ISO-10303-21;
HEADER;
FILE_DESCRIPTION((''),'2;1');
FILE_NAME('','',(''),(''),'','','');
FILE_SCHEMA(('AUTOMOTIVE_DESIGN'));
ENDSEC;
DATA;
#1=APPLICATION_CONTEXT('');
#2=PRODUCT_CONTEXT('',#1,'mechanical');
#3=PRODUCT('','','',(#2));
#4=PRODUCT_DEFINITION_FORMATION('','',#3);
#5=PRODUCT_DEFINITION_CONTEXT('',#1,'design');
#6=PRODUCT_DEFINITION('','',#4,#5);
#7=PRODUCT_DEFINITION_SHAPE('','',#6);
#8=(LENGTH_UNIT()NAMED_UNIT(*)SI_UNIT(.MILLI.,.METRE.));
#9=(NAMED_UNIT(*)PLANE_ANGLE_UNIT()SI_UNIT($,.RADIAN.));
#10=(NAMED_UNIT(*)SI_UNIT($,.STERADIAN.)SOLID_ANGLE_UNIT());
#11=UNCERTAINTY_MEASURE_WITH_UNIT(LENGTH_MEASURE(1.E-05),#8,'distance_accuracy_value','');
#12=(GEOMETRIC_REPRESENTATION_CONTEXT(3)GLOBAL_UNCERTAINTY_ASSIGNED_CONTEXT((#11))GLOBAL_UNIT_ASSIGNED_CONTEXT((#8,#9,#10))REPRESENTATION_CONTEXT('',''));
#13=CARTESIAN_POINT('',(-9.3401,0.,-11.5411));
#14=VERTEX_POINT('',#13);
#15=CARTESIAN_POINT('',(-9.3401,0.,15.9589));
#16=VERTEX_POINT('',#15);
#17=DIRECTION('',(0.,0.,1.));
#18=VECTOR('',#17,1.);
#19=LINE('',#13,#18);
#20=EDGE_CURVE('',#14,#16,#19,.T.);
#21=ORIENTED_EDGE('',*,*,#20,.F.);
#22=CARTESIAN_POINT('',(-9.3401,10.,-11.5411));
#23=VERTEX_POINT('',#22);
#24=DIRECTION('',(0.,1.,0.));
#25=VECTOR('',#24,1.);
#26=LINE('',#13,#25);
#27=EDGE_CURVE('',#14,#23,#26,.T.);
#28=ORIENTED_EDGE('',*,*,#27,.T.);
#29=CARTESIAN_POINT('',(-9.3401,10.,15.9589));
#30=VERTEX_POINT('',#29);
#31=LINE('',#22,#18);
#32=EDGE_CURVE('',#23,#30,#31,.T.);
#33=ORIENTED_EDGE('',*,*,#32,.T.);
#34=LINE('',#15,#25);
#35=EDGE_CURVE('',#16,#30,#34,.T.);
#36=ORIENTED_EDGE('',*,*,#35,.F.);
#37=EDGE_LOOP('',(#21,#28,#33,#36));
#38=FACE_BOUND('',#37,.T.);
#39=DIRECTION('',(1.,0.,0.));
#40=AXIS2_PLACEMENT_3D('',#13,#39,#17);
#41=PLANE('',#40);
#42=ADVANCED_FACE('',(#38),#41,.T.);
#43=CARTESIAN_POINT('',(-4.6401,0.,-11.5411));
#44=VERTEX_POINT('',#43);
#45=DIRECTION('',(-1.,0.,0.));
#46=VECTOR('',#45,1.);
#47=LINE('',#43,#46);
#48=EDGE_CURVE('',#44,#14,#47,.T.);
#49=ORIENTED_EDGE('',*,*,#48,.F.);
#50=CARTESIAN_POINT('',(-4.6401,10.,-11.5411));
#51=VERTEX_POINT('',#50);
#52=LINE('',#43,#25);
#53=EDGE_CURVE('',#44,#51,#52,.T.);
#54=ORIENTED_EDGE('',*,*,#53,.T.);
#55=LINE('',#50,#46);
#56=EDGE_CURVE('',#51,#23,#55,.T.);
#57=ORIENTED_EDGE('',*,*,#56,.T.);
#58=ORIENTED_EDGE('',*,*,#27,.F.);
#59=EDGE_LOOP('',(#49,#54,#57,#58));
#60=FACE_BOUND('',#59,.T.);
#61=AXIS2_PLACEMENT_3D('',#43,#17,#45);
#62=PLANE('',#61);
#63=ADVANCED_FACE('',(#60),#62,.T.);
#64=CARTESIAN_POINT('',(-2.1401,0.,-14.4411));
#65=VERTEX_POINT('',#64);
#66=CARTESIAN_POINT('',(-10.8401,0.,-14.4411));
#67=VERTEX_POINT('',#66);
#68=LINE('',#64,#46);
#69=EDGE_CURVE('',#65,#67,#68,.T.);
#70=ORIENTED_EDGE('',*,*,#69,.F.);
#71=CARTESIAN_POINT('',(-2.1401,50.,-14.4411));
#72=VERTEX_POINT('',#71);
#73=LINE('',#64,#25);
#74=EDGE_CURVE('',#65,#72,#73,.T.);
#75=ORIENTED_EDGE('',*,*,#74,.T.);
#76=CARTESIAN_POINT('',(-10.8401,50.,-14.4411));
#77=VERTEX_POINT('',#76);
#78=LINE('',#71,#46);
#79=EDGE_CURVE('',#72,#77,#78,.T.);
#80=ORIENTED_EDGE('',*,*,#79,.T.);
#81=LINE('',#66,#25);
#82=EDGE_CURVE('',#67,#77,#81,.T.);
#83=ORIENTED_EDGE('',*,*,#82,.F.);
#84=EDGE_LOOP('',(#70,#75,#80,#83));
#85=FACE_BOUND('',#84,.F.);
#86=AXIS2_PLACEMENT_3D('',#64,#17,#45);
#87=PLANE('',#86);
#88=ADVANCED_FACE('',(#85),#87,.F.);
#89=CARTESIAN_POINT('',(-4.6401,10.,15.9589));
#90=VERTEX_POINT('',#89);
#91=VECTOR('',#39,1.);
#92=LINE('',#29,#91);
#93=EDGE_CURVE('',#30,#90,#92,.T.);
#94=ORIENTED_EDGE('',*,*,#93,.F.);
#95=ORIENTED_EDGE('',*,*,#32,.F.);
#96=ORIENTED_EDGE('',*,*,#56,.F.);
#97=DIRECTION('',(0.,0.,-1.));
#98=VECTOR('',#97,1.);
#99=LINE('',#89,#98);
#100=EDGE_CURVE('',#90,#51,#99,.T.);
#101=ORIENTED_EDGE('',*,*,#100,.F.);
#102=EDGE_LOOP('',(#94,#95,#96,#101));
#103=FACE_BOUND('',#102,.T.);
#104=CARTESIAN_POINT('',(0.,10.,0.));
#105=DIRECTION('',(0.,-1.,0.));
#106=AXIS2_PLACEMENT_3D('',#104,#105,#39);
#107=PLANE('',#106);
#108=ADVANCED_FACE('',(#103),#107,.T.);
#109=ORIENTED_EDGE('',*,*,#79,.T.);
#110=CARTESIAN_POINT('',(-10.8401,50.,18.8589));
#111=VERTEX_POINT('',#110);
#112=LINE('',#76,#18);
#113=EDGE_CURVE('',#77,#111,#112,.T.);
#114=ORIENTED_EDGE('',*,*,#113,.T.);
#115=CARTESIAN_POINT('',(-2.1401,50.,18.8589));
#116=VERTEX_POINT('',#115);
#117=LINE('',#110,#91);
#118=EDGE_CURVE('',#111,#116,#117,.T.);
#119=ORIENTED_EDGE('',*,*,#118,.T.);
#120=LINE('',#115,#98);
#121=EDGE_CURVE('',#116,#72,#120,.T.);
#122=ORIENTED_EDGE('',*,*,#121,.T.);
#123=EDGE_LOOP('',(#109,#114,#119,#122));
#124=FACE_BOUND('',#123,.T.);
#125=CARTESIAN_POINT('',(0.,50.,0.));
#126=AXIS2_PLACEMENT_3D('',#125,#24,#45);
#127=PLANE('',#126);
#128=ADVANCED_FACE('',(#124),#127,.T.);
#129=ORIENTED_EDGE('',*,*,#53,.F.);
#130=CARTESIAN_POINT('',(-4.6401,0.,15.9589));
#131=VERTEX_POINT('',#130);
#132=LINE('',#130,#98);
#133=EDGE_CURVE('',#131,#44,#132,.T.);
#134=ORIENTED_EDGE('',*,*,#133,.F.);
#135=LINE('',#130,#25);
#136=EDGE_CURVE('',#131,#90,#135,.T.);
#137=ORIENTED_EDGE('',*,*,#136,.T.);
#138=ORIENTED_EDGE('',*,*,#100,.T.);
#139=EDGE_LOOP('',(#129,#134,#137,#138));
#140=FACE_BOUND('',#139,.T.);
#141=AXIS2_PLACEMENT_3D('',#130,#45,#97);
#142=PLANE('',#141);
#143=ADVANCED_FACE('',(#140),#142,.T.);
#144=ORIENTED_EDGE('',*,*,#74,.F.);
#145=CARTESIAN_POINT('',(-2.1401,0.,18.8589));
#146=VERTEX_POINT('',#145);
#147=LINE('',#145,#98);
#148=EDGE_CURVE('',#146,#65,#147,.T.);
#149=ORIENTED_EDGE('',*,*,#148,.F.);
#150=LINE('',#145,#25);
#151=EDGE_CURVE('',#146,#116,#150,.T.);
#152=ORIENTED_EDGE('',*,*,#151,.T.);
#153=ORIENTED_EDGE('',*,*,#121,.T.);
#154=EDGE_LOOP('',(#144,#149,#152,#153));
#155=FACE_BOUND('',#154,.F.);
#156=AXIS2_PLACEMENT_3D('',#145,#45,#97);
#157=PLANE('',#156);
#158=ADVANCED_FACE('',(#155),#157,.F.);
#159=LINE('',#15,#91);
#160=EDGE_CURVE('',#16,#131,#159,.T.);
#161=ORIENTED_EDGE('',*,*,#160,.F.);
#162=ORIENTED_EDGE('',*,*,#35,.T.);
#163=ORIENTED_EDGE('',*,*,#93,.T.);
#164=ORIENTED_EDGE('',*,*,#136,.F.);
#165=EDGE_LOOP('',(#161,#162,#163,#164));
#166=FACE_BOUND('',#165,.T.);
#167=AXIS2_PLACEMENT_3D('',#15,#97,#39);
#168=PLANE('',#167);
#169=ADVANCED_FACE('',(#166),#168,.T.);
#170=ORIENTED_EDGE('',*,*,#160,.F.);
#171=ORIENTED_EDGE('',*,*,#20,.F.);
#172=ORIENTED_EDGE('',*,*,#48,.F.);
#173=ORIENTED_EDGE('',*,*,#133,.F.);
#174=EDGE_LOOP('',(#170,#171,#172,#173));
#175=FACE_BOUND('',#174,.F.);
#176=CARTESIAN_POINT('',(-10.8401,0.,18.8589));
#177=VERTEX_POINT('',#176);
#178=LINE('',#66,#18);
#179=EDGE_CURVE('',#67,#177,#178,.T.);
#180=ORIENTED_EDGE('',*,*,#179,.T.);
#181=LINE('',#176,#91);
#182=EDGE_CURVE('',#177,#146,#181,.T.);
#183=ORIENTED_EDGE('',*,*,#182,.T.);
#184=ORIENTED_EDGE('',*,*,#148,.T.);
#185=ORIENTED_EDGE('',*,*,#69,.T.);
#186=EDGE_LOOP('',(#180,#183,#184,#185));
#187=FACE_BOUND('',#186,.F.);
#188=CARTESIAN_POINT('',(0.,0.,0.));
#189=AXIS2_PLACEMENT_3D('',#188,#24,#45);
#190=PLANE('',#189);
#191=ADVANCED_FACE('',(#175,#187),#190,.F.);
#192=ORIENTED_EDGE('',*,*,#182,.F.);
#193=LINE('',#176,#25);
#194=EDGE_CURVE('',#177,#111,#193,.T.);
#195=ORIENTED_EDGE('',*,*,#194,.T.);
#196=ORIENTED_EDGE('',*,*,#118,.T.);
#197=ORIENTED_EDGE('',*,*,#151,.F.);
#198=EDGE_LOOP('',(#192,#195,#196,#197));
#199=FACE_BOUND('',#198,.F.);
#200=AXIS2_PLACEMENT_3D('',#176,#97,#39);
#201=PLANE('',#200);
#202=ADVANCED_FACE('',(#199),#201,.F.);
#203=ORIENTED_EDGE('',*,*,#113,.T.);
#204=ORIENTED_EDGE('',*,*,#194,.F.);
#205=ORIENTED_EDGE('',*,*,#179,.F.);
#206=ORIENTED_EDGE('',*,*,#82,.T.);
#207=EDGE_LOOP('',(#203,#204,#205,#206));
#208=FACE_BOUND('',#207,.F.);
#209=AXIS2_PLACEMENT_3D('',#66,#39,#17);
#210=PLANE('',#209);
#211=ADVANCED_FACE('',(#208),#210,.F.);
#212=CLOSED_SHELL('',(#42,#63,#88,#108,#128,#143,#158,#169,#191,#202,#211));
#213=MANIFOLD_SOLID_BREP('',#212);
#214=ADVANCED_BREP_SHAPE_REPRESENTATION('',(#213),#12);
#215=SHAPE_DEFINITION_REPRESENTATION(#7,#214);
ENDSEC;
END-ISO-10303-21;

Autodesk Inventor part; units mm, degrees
ref_plane "YZ Plane" through (0, 0, 0) normal (1, 0, 0) x (0, 1, 0)
ref_plane "XZ Plane" through (0, 0, 0) normal (0, 1, 0) x (-1, 0, 0)
ref_plane "XY Plane" through (0, 0, 0) normal (0, 0, 1) x (1, 0, 0)
sketch "Sketch1" plane through (0, 0, 0) normal (0, 1, 0) x (-1, 0, 0)
  line L0 (10.8401, 18.8589) -> (2.1401, 18.8589)
  line L1 (2.1401, 18.8589) -> (2.1401, -14.4411)
  line L2 (2.1401, -14.4411) -> (10.8401, -14.4411)
  line L3 (10.8401, -14.4411) -> (10.8401, 18.8589)
  point P0 (0, 0)
  dimension "d0" = 33.3
  dimension "d1" = 8.7
extrude "Extrusion1" add sketch "Sketch1" along normal blind 50
sketch "Sketch2" plane through (0, 0, 0) normal (0, -1, 0) x (1, 0, 0)
  line L0 (-9.3401, 15.9589) -> (-4.6401, 15.9589)
  line L1 (-4.6401, 15.9589) -> (-4.6401, -11.5411)
  line L2 (-4.6401, -11.5411) -> (-9.3401, -11.5411)
  line L3 (-9.3401, -11.5411) -> (-9.3401, 15.9589)
  line L4 (-2.1401, 18.8589) -> (-2.1401, -14.4411) projected
  line L5 (-10.8401, 18.8589) -> (-2.1401, 18.8589) projected
  line L6 (-10.8401, -14.4411) -> (-10.8401, 18.8589) projected
  line L7 (-2.1401, -14.4411) -> (-10.8401, -14.4411) projected
  point P0 (0, 0)
  dimension "d4" = 2.5
  dimension "d5" = 2.9
  dimension "d6" = 1.5
  dimension "d7" = 2.9
extrude "Extrusion2" cut sketch "Sketch2" against normal blind 10 contours L0 L1 L2 L3
equation "\"d4\" = ClipHeight"
equation "\"d5\" = ClipWidth"
equation "\"d7\" = d5"
equation "\"ClipHeight\" = 2.5"
equation "\"ClipWidth\" = 2.9"
